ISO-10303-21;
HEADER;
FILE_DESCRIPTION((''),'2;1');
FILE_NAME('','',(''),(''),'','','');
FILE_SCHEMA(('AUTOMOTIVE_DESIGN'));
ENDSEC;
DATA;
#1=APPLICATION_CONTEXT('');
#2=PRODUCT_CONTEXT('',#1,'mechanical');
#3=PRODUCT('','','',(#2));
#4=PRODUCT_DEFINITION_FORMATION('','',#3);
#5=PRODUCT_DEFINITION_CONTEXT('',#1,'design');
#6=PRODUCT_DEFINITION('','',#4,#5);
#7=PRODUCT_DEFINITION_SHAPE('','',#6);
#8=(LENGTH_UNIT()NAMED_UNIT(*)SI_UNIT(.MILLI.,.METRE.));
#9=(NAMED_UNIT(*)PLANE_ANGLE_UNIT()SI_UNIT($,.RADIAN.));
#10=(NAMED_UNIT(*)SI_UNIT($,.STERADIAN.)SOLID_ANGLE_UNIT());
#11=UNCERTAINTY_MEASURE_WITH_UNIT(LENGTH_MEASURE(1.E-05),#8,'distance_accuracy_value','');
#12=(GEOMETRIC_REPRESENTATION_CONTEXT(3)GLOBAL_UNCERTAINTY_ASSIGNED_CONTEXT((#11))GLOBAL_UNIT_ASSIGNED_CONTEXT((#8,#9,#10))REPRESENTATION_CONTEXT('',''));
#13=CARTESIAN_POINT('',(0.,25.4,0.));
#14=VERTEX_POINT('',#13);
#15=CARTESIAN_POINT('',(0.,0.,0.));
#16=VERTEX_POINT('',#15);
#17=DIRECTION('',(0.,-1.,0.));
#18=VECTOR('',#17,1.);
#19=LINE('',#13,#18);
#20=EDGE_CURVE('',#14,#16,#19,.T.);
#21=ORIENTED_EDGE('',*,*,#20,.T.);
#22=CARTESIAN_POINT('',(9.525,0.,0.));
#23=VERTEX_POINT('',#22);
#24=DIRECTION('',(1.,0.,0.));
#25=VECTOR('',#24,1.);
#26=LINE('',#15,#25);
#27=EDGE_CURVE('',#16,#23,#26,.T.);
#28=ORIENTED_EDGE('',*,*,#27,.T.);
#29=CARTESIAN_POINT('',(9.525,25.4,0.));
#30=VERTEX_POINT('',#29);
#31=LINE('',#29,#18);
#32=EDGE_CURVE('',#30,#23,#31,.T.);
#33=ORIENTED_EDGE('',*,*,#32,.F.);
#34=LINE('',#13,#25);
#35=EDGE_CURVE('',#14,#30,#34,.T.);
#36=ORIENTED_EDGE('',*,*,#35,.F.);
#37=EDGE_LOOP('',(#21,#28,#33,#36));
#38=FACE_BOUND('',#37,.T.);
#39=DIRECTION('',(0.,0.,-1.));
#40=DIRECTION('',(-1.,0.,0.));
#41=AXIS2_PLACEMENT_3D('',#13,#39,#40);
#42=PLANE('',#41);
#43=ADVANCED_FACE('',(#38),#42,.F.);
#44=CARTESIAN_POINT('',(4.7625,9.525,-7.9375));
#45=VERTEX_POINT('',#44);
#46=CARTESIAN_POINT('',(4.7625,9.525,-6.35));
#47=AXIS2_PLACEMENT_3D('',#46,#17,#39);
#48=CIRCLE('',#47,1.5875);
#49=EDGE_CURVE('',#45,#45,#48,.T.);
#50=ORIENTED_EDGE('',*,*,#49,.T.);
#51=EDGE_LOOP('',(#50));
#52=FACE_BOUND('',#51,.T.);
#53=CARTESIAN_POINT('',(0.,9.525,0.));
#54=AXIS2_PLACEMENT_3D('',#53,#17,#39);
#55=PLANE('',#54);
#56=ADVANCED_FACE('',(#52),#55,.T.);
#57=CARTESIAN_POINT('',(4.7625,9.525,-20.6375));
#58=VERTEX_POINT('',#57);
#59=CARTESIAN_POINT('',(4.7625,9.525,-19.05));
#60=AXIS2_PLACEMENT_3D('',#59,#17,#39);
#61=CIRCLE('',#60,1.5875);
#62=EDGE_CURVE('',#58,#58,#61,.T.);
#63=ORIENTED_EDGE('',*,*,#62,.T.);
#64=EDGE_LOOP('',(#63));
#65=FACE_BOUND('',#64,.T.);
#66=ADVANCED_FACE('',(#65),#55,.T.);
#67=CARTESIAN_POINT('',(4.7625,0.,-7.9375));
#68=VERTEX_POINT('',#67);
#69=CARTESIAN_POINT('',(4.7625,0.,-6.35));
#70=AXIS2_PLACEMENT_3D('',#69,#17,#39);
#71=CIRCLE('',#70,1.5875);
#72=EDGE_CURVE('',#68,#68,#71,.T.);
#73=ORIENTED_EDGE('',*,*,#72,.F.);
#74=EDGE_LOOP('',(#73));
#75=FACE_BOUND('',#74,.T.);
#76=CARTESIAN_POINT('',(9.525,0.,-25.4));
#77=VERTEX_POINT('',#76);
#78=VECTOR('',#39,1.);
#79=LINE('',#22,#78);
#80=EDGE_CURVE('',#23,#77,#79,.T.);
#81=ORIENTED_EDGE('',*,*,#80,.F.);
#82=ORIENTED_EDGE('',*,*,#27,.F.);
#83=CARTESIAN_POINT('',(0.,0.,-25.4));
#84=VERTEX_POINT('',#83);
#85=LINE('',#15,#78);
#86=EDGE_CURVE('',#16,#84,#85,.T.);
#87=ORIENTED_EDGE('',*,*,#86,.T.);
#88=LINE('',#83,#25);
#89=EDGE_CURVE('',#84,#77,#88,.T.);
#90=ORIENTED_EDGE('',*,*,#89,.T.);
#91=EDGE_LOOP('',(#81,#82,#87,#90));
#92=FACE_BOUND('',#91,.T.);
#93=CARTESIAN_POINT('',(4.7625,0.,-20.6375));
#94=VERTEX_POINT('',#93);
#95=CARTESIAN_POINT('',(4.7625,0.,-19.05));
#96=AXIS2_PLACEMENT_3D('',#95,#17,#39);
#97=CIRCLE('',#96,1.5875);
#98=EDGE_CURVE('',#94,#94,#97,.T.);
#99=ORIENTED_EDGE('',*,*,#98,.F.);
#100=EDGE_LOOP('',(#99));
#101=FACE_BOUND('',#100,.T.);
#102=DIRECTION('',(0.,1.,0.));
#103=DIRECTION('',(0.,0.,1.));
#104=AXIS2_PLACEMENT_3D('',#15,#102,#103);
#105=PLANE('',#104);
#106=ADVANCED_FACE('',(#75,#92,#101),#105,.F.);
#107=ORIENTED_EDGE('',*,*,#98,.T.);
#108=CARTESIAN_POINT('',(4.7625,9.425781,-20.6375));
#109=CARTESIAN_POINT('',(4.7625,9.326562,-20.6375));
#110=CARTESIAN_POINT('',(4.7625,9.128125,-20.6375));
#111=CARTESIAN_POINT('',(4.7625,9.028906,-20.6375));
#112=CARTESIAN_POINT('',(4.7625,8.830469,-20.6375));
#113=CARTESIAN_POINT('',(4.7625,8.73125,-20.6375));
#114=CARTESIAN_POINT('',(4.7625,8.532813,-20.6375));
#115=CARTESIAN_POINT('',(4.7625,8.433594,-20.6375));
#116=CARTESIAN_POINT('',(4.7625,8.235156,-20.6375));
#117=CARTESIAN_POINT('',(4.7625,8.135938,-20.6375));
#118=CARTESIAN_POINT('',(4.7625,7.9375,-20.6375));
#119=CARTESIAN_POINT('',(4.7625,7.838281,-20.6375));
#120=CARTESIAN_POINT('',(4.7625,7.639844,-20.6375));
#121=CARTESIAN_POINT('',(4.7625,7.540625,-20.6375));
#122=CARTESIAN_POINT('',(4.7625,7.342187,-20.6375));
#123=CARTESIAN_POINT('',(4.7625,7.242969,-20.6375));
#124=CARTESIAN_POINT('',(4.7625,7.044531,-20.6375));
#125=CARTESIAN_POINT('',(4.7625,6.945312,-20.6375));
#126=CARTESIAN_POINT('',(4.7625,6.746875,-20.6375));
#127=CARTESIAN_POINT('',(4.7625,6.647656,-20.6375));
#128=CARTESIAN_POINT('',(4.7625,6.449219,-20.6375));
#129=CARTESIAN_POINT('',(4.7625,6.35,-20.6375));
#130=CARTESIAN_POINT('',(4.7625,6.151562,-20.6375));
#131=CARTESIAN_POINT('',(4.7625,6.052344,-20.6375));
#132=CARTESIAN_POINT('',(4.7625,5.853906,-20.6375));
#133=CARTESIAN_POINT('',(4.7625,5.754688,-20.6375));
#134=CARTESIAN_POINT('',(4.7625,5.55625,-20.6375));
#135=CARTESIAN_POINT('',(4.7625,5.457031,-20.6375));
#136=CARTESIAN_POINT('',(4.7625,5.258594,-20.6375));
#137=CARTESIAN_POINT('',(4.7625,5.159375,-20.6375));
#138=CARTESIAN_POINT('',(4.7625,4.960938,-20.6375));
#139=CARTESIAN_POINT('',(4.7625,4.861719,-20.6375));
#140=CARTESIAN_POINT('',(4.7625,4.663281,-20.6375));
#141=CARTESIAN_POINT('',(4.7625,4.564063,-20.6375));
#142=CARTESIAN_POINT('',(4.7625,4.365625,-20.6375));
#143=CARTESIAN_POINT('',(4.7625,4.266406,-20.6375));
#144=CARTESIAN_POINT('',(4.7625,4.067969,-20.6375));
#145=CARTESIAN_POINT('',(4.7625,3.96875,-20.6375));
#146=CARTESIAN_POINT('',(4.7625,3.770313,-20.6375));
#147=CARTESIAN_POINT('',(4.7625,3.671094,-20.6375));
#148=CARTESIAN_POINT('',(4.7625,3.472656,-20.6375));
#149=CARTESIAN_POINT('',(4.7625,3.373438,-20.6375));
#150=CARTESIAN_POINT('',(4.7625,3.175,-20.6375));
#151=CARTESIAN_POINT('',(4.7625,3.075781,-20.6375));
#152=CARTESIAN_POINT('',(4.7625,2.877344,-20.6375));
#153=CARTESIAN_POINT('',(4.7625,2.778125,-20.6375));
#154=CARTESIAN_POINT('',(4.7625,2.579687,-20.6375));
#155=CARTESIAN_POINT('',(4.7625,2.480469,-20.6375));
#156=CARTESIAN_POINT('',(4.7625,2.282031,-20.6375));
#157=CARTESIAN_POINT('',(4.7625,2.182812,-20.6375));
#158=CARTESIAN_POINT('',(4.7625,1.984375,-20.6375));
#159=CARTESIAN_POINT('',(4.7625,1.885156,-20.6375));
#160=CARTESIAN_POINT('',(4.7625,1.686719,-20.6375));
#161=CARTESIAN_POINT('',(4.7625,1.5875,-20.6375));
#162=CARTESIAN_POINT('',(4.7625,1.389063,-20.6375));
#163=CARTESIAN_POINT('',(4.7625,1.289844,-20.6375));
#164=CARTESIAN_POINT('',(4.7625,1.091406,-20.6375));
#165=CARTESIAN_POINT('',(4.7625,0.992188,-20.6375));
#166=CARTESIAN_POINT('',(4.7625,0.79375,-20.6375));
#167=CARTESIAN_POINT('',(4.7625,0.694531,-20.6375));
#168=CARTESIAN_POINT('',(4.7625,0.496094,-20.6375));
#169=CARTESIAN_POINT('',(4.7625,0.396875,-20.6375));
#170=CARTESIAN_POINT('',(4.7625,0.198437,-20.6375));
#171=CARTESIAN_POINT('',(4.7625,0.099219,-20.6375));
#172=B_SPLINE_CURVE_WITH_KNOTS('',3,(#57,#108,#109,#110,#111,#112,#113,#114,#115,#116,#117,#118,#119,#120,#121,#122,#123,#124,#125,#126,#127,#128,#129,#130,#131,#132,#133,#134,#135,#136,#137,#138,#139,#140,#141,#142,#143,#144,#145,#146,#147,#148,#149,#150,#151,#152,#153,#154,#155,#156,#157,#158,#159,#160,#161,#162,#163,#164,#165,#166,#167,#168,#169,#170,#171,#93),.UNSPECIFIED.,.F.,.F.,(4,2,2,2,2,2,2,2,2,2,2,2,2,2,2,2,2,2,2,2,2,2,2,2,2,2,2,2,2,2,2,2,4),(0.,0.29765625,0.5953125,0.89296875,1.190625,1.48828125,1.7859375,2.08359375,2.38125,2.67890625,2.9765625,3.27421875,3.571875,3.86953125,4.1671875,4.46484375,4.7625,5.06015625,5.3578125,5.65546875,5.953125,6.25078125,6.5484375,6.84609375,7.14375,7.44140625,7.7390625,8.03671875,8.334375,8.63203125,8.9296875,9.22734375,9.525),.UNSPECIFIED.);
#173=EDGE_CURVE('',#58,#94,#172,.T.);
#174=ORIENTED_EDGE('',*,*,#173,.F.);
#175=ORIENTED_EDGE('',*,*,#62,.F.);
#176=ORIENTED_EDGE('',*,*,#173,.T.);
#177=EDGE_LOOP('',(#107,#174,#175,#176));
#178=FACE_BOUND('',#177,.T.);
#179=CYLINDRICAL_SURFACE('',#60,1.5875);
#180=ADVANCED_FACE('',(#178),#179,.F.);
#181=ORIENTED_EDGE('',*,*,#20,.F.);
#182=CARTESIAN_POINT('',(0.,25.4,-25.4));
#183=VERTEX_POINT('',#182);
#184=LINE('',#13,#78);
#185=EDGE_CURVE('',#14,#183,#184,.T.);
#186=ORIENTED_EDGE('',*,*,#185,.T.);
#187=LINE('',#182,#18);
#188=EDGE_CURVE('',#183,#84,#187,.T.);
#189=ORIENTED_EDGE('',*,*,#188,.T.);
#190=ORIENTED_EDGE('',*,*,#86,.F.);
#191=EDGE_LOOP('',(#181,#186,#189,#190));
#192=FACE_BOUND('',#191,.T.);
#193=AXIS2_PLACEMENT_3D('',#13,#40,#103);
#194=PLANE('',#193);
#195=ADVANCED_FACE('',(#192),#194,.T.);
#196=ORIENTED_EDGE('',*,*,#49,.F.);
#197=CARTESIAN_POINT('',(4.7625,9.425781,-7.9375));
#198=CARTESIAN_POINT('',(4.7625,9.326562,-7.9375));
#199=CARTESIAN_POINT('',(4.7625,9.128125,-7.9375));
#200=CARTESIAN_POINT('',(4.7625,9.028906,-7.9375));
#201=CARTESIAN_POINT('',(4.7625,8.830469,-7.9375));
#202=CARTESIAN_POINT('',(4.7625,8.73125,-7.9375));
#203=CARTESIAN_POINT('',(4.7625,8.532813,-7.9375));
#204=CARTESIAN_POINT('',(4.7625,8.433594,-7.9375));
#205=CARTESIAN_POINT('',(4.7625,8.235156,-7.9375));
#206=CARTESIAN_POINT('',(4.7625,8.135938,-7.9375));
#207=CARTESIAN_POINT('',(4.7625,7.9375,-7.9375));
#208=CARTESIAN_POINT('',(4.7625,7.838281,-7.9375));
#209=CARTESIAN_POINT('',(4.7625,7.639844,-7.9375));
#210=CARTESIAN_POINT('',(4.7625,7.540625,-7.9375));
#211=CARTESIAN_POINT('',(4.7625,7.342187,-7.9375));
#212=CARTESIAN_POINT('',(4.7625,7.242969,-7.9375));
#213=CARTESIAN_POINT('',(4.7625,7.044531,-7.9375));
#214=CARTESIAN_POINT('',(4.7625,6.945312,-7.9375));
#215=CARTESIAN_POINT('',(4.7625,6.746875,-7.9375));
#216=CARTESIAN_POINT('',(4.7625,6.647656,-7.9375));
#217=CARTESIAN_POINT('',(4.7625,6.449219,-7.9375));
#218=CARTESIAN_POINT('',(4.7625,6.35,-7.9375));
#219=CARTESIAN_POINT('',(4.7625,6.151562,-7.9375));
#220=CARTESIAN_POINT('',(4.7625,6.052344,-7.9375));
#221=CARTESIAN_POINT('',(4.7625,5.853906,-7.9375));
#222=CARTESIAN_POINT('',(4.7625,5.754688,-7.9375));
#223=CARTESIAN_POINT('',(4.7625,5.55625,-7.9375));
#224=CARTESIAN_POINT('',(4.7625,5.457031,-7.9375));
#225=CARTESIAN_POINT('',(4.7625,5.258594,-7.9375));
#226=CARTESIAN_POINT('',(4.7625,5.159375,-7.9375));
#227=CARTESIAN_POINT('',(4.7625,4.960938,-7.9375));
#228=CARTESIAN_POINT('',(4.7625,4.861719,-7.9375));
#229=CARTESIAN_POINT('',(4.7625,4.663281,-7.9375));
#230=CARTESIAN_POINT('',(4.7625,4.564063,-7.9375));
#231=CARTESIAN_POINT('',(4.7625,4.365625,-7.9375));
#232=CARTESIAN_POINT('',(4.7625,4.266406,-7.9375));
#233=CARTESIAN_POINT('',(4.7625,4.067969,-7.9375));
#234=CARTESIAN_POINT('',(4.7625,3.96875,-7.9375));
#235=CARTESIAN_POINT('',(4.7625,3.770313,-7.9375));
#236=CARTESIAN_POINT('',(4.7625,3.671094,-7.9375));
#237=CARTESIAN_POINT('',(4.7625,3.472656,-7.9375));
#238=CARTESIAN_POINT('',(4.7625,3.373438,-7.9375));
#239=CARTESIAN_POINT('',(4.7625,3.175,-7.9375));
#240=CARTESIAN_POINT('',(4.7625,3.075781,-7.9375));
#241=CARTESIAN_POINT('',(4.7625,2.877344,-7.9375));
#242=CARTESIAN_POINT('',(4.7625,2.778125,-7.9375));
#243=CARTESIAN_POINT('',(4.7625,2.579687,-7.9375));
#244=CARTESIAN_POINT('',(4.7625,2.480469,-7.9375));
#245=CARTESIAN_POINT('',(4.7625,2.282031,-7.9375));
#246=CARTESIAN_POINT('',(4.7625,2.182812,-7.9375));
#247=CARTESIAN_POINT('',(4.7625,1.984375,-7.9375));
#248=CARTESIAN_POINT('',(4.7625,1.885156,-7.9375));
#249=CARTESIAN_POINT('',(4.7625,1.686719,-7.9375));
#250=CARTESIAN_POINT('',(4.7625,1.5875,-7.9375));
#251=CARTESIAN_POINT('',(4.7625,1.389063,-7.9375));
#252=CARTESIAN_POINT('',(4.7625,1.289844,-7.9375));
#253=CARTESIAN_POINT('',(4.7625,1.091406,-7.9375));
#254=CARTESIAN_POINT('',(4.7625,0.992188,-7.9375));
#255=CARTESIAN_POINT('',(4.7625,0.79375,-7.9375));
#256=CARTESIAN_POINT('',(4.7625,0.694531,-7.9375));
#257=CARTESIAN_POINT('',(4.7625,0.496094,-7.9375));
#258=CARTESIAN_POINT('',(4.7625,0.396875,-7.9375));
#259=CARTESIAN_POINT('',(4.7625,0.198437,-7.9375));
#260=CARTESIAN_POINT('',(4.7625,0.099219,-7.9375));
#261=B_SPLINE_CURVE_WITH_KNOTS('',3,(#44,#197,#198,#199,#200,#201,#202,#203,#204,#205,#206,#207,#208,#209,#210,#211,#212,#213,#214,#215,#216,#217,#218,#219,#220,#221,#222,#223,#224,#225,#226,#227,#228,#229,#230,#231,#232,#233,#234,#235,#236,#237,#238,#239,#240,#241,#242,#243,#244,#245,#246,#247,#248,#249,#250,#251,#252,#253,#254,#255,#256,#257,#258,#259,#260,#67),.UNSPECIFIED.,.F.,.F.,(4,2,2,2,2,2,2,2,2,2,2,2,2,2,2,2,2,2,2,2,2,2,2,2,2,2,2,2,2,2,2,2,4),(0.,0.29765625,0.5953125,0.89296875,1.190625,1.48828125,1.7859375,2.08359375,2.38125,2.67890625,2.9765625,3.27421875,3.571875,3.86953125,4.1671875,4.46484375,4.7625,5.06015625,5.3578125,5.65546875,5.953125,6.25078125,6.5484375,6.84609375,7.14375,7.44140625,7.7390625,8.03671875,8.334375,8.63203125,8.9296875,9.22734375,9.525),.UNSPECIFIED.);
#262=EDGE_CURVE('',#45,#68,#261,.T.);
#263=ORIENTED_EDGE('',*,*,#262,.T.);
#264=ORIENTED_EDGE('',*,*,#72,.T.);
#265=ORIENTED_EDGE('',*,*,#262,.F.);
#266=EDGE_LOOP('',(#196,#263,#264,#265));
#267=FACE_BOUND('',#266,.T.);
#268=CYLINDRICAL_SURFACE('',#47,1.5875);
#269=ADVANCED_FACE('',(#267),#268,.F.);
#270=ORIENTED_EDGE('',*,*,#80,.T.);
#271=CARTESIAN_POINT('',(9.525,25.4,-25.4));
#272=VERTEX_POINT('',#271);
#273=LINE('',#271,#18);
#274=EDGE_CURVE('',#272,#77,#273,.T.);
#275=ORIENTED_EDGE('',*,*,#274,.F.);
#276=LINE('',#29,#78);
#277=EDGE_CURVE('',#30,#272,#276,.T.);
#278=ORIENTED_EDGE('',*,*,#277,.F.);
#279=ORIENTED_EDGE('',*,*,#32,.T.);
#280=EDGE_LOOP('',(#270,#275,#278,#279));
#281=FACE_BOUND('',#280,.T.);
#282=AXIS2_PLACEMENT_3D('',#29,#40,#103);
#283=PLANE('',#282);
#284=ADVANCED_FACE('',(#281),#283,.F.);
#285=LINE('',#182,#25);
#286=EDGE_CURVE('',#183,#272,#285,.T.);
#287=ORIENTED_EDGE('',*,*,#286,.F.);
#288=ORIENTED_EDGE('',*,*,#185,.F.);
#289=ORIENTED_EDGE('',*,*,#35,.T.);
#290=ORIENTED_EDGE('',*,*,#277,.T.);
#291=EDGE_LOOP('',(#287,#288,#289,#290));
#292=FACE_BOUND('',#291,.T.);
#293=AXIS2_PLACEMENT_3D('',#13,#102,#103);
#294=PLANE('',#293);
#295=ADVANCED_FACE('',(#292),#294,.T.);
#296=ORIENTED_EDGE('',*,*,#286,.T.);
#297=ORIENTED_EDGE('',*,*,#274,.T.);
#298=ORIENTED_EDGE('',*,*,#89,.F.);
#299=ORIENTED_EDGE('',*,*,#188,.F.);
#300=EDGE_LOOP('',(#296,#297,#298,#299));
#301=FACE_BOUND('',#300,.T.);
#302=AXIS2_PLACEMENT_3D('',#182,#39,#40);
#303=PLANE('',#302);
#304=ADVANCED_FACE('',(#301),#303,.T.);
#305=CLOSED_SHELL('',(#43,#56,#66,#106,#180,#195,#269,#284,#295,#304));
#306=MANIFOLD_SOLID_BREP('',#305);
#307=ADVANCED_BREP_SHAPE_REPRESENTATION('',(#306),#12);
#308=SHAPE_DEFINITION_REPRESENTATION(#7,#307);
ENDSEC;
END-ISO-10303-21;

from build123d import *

# Parameters (mm, degrees)
SKETCH1_W           = 9.525
SKETCH1_H           = 25.4
BOSS_EXTRUDE1_DEPTH = 25.4
SKETCH4_R           = 1.5875
CUT_EXTRUDE1_DEPTH  = 9.525


with BuildPart() as part:
    # Sketch1 → Boss-Extrude1 (new body)
    with BuildSketch(Plane(origin=(0, 0, 0), x_dir=(1, 0, 0), z_dir=(0, 1, 0))):
        with Locations((4.7625, 12.7)):
            Rectangle(SKETCH1_W, SKETCH1_H)
    extrude(amount=BOSS_EXTRUDE1_DEPTH)

    # Sketch4 → Cut-Extrude1 (cut)
    with BuildSketch(Plane.XZ):
        with Locations(Location((4.7625, -19.05, 0), (0, 0, 270))):
            Circle(SKETCH4_R)
        with Locations(Location((4.7625, -6.35, 0), (0, 0, 270))):
            Circle(SKETCH4_R)
    extrude(amount=-CUT_EXTRUDE1_DEPTH, mode=Mode.SUBTRACT)


solid = part.part
